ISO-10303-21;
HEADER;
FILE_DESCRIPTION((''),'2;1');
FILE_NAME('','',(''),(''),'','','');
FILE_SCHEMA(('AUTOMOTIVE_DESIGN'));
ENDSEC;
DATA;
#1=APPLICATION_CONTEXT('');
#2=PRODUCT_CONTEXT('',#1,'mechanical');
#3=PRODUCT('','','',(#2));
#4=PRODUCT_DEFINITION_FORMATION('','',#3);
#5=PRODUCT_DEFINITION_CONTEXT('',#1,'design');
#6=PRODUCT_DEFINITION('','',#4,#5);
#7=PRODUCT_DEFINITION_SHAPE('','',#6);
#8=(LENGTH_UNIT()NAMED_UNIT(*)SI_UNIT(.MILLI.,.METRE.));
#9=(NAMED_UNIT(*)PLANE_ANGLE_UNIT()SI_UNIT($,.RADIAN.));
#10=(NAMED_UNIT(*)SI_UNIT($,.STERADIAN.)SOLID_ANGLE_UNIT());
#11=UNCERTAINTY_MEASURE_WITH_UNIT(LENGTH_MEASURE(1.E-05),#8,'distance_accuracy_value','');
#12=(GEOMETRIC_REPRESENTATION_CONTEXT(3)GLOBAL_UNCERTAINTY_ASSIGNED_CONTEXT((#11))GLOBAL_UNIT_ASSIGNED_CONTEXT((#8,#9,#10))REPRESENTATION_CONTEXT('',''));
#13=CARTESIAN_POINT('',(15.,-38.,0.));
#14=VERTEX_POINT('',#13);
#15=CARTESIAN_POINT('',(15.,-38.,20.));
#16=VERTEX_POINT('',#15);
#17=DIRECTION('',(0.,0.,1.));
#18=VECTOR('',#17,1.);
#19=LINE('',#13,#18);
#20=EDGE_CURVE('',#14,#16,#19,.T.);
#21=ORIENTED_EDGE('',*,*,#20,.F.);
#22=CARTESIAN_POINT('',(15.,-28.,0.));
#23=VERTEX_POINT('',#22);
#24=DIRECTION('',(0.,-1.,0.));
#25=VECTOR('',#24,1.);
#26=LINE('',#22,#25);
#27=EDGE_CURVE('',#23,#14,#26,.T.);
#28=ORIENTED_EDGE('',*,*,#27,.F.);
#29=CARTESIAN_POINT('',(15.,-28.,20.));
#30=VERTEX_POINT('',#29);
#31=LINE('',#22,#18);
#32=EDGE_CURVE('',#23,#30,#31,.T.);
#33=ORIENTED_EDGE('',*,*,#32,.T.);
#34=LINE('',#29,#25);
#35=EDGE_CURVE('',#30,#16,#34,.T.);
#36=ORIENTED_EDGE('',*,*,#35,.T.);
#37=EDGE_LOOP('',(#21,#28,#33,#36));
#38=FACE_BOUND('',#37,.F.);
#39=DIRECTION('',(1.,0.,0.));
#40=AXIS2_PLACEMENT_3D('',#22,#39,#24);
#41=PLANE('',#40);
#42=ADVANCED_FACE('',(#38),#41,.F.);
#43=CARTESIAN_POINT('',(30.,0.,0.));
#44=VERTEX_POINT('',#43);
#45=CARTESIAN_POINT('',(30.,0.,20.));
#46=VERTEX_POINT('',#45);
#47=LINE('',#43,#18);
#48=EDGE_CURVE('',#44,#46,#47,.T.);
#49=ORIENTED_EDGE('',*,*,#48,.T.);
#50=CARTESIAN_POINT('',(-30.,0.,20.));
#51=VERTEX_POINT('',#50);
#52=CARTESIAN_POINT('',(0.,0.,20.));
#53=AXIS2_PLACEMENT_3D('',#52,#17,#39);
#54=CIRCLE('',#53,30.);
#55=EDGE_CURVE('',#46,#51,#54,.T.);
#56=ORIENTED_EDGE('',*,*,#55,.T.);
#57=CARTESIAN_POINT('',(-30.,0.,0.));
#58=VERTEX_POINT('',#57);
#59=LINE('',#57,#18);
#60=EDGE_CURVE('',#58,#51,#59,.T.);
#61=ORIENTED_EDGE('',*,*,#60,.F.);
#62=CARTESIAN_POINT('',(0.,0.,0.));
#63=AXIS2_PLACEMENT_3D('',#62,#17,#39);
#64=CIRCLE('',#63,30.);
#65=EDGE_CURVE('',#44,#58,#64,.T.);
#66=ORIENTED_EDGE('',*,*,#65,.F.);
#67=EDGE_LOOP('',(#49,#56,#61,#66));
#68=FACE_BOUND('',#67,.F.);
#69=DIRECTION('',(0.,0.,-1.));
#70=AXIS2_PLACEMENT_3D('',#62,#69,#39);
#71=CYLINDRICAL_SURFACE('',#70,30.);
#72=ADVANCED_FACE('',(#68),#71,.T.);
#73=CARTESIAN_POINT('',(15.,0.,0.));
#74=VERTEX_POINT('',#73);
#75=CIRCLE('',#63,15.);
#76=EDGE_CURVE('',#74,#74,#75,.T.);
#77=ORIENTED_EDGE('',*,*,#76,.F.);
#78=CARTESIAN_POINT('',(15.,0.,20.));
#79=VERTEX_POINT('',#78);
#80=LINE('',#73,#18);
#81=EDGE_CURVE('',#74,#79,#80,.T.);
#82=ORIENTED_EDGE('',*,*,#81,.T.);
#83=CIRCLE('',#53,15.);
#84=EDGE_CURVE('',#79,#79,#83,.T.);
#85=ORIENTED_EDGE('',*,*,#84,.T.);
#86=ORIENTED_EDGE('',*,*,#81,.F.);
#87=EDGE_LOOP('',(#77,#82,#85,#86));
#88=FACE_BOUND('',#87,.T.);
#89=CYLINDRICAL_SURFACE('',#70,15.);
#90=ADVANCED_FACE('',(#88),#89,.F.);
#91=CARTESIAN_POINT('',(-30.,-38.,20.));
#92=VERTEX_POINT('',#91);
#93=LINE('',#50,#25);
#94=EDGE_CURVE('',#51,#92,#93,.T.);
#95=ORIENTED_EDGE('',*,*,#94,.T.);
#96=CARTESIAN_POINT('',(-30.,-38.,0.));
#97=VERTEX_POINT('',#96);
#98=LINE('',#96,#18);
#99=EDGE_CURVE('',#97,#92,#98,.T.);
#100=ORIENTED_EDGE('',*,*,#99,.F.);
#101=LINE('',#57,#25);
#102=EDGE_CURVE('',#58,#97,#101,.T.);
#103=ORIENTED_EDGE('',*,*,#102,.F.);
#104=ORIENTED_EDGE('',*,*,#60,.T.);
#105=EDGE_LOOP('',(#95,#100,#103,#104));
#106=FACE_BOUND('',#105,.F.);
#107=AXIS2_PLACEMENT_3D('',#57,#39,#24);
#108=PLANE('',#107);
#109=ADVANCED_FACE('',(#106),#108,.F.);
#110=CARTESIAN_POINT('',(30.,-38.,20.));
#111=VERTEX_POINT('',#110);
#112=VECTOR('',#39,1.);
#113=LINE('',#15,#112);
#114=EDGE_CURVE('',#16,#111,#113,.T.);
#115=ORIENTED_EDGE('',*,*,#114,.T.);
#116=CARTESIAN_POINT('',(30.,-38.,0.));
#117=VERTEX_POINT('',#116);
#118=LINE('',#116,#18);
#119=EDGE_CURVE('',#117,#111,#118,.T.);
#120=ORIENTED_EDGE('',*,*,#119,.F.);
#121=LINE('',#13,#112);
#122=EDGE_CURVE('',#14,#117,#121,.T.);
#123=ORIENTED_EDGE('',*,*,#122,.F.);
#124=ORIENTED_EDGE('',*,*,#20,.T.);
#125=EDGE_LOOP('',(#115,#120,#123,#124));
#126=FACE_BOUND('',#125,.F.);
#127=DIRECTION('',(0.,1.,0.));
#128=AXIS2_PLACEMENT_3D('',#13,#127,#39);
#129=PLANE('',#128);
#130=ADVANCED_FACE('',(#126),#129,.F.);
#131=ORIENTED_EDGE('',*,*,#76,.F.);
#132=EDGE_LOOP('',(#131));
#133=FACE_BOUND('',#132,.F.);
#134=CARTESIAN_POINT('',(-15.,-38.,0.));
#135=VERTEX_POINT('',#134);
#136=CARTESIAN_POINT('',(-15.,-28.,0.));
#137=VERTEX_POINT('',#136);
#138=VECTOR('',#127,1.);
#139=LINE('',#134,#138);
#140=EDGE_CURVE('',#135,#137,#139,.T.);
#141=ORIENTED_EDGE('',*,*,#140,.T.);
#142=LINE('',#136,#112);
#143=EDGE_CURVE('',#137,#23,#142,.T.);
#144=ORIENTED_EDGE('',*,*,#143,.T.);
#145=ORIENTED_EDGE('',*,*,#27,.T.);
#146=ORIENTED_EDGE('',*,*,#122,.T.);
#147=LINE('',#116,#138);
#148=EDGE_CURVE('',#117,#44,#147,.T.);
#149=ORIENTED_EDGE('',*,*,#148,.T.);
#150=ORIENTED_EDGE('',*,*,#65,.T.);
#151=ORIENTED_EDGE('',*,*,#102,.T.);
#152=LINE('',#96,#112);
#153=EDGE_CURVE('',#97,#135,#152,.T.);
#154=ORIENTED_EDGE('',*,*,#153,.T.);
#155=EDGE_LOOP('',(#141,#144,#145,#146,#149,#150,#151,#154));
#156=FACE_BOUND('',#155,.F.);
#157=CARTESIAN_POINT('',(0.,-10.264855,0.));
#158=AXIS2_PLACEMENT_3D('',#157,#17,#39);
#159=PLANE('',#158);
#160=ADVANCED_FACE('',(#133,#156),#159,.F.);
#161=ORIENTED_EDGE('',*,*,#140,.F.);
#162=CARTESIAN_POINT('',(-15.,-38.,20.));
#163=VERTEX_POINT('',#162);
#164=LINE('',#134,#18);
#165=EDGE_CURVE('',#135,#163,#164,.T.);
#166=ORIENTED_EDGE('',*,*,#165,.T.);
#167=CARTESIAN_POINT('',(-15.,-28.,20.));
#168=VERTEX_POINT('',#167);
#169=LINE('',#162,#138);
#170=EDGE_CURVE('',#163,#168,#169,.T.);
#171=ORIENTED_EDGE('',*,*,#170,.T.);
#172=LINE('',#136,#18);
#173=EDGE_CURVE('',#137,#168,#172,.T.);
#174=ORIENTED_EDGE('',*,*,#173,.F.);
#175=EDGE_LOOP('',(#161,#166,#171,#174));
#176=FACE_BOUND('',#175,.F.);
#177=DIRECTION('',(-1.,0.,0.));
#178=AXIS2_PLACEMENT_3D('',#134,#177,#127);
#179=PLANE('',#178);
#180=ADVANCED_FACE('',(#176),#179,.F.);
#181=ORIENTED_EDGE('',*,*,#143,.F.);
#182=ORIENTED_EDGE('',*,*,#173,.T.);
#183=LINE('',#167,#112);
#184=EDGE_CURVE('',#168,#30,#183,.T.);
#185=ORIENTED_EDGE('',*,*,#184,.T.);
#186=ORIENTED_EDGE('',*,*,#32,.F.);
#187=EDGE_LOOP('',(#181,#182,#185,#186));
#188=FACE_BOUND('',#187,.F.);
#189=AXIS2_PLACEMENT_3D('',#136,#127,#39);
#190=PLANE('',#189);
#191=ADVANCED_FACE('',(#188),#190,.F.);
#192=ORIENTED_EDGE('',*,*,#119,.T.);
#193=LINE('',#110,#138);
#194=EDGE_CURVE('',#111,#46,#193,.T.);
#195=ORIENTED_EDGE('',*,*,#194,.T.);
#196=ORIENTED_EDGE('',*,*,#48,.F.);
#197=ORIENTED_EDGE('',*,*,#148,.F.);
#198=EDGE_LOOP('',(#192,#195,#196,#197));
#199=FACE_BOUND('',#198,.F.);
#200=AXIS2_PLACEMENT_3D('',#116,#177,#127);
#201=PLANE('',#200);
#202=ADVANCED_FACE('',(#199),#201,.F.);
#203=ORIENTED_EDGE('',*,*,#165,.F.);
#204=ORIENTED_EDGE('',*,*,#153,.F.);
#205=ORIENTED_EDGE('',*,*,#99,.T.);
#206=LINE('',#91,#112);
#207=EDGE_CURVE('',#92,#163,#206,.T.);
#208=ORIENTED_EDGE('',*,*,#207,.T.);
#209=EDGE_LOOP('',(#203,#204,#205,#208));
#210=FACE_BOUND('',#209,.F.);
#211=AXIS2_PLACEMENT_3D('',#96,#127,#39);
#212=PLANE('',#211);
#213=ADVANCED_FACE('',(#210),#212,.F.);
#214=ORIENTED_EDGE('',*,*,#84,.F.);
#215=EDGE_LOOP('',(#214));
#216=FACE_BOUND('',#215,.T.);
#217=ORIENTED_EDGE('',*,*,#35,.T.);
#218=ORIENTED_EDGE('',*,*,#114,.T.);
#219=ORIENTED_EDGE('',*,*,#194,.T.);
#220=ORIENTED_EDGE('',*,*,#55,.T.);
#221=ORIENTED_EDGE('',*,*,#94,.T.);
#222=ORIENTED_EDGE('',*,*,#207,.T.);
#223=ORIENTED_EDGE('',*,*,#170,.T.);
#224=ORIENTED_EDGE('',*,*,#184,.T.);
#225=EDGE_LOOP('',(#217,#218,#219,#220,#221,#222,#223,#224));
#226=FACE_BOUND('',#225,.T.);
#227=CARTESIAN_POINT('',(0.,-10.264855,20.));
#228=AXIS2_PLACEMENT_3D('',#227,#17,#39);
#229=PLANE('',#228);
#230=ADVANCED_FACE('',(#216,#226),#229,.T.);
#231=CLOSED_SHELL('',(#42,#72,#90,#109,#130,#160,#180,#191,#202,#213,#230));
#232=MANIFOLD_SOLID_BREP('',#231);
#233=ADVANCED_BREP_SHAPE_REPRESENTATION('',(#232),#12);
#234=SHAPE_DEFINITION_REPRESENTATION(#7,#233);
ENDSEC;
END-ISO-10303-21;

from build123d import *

# Parameters (mm, degrees)
F0_R     = 15
F1_DEPTH = 20


with BuildPart() as f1:
    # F0 (on Top) → F1 (new body)
    with BuildSketch(Plane.XY):
        with BuildLine():
            ThreePointArc((30, 0), (0, 30), (-30, 0))
            Line((-30, 0), (-30, -38))
            Line((-30, -38), (-15, -38))
            Line((-15, -38), (-15, -28))
            Line((-15, -28), (15, -28))
            Line((15, -28), (15, -38))
            Line((15, -38), (30, -38))
            Line((30, -38), (30, 0))
        make_face()
        Circle(F0_R, mode=Mode.SUBTRACT)
    extrude(amount=F1_DEPTH)


solid = f1.part
